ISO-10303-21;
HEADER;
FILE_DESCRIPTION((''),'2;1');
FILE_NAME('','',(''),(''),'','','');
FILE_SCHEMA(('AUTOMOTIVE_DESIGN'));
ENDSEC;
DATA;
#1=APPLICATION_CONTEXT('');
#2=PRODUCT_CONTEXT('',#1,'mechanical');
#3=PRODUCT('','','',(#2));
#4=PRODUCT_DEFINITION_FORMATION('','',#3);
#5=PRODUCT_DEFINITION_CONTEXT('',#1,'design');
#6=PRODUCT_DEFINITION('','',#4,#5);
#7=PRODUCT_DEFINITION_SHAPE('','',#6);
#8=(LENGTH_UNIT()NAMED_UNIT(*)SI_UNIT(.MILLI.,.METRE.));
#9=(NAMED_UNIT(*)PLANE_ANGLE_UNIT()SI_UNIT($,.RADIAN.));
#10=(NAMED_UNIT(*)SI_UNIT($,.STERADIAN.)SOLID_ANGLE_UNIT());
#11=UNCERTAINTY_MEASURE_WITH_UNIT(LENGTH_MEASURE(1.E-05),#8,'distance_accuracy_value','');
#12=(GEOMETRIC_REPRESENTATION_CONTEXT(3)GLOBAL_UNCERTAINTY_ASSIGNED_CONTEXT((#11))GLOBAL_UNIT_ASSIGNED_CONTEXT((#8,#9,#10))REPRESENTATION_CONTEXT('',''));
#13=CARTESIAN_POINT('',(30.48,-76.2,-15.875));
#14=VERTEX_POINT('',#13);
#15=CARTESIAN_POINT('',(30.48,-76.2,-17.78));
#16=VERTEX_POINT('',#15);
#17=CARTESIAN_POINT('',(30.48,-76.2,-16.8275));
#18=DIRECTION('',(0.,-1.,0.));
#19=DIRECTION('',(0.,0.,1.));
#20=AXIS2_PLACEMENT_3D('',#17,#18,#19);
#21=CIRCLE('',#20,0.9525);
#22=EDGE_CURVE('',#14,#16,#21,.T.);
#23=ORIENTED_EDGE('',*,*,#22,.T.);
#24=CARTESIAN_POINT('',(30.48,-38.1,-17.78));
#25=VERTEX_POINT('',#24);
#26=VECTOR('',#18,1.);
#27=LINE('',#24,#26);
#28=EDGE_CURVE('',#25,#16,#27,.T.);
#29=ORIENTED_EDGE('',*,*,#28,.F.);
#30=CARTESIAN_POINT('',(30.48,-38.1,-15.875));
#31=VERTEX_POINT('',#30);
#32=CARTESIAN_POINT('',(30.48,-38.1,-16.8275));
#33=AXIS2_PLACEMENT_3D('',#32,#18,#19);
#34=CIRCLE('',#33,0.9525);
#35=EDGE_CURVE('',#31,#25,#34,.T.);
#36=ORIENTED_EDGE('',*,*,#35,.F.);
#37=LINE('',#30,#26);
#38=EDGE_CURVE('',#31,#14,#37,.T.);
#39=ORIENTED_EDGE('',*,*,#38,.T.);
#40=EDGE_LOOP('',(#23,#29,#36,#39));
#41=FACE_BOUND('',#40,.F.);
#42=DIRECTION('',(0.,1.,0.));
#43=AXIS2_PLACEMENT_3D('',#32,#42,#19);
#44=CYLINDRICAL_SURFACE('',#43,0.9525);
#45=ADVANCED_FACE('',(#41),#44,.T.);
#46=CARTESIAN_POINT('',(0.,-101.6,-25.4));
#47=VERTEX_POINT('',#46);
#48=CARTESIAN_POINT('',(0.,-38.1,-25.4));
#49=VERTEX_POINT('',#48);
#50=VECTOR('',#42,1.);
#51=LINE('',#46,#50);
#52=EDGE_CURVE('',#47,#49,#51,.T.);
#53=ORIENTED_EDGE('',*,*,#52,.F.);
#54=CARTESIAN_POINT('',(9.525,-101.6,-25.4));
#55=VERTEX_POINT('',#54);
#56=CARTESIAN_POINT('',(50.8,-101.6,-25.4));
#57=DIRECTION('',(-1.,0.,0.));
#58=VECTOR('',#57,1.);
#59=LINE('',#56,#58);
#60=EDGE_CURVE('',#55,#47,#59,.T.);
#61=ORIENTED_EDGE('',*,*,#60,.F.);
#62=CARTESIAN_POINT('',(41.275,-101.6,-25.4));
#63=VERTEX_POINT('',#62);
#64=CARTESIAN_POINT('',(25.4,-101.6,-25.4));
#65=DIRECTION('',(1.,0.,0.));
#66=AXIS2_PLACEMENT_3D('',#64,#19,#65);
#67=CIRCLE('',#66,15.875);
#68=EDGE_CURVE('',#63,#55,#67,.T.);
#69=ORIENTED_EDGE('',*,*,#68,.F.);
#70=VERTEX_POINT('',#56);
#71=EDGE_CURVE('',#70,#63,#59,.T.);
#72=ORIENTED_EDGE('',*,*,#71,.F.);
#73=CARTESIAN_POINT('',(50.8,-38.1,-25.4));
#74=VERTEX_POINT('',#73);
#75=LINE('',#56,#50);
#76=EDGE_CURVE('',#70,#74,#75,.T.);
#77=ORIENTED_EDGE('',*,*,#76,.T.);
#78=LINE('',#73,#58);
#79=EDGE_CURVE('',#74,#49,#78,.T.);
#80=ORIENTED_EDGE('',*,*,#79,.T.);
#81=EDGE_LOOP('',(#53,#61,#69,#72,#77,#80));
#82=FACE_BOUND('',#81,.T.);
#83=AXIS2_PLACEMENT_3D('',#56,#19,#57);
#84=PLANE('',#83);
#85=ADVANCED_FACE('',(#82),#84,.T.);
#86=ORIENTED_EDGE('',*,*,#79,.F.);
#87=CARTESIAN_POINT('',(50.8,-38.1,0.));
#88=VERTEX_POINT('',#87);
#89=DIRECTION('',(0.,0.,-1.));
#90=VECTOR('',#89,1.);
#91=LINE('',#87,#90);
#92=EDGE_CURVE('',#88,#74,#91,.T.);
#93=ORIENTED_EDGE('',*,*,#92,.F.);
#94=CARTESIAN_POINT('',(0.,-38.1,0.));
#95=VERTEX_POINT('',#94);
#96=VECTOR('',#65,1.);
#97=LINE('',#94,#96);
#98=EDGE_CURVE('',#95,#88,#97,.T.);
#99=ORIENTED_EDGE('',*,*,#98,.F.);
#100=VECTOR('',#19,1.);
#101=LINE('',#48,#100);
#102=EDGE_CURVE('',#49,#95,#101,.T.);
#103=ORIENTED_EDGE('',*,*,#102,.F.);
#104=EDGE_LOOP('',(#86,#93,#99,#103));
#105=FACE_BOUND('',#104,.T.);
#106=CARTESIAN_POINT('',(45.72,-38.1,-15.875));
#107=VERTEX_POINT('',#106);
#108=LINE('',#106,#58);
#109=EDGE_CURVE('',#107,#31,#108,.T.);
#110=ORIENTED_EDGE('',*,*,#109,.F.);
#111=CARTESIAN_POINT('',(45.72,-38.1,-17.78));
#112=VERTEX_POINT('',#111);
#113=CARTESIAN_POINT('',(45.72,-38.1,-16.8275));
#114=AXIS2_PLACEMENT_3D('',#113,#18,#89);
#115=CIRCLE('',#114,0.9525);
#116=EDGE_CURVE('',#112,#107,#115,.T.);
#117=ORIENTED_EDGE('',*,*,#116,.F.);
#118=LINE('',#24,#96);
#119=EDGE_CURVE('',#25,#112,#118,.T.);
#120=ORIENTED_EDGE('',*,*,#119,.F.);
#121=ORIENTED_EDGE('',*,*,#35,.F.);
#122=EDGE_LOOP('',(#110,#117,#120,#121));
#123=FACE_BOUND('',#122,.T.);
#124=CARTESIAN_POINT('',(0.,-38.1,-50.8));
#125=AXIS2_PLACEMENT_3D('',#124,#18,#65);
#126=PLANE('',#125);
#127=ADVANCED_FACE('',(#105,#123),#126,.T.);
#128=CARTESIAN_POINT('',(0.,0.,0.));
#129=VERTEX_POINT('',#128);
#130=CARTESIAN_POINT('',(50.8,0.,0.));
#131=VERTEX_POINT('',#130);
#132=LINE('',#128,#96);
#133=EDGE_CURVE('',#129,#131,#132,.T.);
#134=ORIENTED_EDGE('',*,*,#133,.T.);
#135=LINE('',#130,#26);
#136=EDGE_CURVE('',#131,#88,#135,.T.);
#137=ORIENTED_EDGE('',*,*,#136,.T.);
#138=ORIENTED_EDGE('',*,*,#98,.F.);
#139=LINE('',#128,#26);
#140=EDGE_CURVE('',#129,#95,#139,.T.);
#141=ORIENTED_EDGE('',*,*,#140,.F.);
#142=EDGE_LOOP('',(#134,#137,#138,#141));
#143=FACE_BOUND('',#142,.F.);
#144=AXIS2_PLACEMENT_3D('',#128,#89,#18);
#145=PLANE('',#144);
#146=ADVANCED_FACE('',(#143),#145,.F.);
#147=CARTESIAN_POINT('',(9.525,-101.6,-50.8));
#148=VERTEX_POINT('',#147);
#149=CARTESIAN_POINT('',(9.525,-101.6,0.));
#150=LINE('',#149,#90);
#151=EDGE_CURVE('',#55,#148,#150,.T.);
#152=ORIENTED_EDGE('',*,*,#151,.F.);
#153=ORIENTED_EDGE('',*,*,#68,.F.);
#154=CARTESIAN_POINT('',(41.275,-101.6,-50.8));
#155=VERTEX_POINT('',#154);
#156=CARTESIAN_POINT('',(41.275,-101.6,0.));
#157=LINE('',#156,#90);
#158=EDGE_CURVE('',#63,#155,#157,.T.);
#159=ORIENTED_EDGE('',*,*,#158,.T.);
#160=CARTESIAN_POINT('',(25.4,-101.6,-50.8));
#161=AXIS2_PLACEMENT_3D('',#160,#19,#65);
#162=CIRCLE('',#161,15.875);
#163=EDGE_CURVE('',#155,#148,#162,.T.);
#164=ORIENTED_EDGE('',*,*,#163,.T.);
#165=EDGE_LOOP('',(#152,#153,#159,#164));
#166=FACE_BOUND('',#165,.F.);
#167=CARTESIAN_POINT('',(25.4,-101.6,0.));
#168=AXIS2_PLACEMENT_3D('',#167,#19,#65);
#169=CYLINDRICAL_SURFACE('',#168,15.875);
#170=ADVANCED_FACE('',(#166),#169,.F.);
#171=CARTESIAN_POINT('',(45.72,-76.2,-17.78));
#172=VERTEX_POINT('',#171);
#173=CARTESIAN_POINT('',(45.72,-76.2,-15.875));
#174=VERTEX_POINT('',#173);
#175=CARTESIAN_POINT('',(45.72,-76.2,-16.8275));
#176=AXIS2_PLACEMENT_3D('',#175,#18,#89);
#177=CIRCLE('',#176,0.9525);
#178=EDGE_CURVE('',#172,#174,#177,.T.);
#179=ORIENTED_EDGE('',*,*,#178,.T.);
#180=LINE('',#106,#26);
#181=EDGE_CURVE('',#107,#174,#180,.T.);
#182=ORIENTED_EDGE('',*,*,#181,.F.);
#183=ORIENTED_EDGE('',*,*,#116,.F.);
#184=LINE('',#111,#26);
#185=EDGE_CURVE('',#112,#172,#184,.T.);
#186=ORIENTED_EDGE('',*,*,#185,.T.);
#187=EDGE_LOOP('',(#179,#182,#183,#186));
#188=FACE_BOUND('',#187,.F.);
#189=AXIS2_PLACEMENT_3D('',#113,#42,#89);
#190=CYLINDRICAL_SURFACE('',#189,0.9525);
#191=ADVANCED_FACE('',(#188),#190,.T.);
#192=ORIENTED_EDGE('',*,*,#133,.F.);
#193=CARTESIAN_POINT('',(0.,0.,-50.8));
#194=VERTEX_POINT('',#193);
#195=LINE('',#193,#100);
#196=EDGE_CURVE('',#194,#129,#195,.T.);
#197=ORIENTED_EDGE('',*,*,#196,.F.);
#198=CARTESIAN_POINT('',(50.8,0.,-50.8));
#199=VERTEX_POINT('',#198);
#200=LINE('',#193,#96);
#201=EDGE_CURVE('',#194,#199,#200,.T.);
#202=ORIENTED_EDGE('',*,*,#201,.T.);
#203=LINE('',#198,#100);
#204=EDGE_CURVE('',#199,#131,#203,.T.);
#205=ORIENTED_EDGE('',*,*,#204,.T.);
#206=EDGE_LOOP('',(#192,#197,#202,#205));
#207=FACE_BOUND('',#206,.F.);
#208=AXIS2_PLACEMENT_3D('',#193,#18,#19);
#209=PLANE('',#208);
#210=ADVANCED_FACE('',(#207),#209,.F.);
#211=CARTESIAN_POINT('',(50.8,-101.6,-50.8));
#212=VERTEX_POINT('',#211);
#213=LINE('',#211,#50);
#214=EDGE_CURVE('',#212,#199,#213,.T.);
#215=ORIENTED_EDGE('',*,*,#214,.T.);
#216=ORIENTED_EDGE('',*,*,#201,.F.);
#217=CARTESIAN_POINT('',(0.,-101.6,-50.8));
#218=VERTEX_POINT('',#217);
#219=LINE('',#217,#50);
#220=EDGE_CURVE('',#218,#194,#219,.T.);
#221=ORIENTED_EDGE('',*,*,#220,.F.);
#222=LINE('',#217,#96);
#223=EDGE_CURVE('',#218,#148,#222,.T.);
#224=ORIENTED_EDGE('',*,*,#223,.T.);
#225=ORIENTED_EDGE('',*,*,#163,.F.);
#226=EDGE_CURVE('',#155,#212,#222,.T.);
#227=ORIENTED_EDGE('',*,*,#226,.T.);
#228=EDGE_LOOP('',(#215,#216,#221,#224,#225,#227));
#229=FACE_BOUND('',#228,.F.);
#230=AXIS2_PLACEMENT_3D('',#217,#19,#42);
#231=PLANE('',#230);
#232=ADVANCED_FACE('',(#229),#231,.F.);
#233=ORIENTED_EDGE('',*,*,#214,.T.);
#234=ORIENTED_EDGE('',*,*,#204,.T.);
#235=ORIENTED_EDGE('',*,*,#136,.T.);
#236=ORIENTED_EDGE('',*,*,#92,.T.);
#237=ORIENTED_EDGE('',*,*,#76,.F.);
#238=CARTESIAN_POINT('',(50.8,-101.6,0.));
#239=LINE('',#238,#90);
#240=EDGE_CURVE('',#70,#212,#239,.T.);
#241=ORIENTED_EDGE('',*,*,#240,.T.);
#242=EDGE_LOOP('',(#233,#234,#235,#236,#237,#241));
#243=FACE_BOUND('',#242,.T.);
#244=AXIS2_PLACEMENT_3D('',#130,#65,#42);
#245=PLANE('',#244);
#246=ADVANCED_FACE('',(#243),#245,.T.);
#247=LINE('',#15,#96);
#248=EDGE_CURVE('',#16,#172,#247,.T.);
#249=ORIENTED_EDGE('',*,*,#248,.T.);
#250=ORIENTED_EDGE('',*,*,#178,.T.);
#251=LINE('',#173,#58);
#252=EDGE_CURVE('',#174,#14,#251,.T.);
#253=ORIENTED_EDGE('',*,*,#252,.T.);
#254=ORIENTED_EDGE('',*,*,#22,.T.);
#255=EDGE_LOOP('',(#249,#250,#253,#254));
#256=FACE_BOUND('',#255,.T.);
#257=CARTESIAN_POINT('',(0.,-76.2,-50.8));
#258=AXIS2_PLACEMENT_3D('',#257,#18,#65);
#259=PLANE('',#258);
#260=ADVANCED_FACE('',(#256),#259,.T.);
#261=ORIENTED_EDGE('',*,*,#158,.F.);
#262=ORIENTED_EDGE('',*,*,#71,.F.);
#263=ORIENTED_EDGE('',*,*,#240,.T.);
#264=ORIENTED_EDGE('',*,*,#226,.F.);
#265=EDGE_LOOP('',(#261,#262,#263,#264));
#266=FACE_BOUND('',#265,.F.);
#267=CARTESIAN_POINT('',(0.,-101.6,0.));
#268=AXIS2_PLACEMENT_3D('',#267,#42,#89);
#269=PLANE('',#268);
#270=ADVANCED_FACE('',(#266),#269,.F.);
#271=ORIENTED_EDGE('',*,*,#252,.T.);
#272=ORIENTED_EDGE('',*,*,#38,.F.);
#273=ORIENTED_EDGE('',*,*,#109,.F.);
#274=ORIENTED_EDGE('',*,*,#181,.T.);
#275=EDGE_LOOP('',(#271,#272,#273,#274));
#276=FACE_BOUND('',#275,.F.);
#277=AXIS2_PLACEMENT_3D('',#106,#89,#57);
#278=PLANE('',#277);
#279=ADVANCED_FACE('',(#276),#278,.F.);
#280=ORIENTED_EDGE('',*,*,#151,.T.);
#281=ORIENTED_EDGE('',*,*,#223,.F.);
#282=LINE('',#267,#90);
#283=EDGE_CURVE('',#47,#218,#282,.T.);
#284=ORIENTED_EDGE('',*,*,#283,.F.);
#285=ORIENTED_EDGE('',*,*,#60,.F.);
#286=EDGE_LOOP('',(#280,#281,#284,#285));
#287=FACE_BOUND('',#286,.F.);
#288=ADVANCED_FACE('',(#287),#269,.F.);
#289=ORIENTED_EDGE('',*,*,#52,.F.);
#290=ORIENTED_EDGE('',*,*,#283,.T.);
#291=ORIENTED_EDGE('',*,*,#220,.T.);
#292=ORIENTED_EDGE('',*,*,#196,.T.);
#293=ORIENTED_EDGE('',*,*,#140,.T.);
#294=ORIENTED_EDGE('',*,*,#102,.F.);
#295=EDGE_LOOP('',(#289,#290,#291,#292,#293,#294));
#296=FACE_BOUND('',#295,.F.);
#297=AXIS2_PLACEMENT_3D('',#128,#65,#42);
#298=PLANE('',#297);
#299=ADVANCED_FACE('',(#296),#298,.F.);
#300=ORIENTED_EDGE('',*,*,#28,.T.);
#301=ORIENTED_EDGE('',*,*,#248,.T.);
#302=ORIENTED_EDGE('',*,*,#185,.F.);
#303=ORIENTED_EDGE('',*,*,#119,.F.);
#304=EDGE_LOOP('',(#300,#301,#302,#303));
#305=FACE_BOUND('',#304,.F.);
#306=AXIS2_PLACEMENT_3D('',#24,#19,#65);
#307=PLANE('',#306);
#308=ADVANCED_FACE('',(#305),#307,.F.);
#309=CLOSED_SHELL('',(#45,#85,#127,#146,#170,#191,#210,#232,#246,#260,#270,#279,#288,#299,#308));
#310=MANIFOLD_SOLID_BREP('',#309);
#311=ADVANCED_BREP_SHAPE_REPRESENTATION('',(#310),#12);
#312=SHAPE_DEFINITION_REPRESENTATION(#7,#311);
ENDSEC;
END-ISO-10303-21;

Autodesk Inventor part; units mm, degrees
ref_plane "YZ Plane" through (0, 0, 0) normal (1, 0, 0) x (0, 1, 0)
ref_plane "XZ Plane" through (0, 0, 0) normal (0, 1, 0) x (-1, 0, 0)
ref_plane "XY Plane" through (0, 0, 0) normal (0, 0, 1) x (1, 0, 0)
sketch "Sketch4" plane through (0, 0, 0) normal (1, 0, 0) x (0, 1, 0)
  line L0 (0, 0) -> (-101.6, 0)
  line L1 (-101.6, 0) -> (-101.6, -50.8)
  line L2 (-101.6, -50.8) -> (0, -50.8)
  line L3 (0, -50.8) -> (0, 0)
  dimension "d6" = 101.6
  dimension "d7" = 50.8
extrude "Extrusion3" add sketch "Sketch4" along normal blind 50.8
sketch "Sketch5" plane through (0, -101.6, 0) normal (0, 0, 1) x (1, 0, 0)
  line L0 (0, 0) -> (50.8, 0) projected
  arc A0 (41.275, 0) -> (9.525, 0) centre (25.4, 0) ccw
  line L1 (0, 101.6) -> (0, 0) projected
  dimension "d10" = 15.875
  dimension "d11" = 31.75
  dimension "d12" = 50.8
  dimension "d13" = 9.525
extrude "Extrusion4" cut sketch "Sketch5" against normal through all
sketch "Sketch6" plane through (0, -101.6, -50.8) normal (0, -1, 0) x (1, 0, 0)
  line L0 (0, 50.8) -> (9.525, 50.8) projected
  line L1 (50.8, 50.8) -> (50.8, 0) projected
  line L2 (0, 50.8) -> (50.8, 50.8)
  line L3 (50.8, 50.8) -> (50.8, 25.4)
  line L4 (50.8, 25.4) -> (0, 25.4)
  line L5 (0, 25.4) -> (0, 50.8)
extrude "Extrusion5" cut sketch "Sketch6" against normal blind 63.5
sketch "Sketch7" plane through (0, -38.1, -50.8) normal (0, -1, 0) x (1, 0, 0)
  line L0 (46.6725, 33.9725) -> (29.5275, 33.9725) construction
  line L1 (45.72, 34.925) -> (30.48, 34.925)
  line L2 (30.48, 33.02) -> (45.72, 33.02)
  arc A0 (45.72, 33.02) -> (45.72, 34.925) centre (45.72, 33.9725) ccw
  arc A1 (30.48, 34.925) -> (30.48, 33.02) centre (30.48, 33.9725) ccw
  line L3 (0, 50.8) -> (50.8, 50.8) projected
  line L4 (50.8, 50.8) -> (50.8, 25.4) projected
  line L5 (41.275, 25.4) -> (9.525, 25.4) projected
  point P0 (38.1, 33.9725)
  dimension "d18" = 17.145
  dimension "d19" = 1.905
  dimension "d20" = 50.8
  dimension "d21" = 4.1275
  dimension "d22" = 7.62
extrude "Extrusion6" add sketch "Sketch7" along normal blind 38.1
equation "\"d13\" = -0.5 * d11 + 0.5 * d12"
properties part number "graber base"
